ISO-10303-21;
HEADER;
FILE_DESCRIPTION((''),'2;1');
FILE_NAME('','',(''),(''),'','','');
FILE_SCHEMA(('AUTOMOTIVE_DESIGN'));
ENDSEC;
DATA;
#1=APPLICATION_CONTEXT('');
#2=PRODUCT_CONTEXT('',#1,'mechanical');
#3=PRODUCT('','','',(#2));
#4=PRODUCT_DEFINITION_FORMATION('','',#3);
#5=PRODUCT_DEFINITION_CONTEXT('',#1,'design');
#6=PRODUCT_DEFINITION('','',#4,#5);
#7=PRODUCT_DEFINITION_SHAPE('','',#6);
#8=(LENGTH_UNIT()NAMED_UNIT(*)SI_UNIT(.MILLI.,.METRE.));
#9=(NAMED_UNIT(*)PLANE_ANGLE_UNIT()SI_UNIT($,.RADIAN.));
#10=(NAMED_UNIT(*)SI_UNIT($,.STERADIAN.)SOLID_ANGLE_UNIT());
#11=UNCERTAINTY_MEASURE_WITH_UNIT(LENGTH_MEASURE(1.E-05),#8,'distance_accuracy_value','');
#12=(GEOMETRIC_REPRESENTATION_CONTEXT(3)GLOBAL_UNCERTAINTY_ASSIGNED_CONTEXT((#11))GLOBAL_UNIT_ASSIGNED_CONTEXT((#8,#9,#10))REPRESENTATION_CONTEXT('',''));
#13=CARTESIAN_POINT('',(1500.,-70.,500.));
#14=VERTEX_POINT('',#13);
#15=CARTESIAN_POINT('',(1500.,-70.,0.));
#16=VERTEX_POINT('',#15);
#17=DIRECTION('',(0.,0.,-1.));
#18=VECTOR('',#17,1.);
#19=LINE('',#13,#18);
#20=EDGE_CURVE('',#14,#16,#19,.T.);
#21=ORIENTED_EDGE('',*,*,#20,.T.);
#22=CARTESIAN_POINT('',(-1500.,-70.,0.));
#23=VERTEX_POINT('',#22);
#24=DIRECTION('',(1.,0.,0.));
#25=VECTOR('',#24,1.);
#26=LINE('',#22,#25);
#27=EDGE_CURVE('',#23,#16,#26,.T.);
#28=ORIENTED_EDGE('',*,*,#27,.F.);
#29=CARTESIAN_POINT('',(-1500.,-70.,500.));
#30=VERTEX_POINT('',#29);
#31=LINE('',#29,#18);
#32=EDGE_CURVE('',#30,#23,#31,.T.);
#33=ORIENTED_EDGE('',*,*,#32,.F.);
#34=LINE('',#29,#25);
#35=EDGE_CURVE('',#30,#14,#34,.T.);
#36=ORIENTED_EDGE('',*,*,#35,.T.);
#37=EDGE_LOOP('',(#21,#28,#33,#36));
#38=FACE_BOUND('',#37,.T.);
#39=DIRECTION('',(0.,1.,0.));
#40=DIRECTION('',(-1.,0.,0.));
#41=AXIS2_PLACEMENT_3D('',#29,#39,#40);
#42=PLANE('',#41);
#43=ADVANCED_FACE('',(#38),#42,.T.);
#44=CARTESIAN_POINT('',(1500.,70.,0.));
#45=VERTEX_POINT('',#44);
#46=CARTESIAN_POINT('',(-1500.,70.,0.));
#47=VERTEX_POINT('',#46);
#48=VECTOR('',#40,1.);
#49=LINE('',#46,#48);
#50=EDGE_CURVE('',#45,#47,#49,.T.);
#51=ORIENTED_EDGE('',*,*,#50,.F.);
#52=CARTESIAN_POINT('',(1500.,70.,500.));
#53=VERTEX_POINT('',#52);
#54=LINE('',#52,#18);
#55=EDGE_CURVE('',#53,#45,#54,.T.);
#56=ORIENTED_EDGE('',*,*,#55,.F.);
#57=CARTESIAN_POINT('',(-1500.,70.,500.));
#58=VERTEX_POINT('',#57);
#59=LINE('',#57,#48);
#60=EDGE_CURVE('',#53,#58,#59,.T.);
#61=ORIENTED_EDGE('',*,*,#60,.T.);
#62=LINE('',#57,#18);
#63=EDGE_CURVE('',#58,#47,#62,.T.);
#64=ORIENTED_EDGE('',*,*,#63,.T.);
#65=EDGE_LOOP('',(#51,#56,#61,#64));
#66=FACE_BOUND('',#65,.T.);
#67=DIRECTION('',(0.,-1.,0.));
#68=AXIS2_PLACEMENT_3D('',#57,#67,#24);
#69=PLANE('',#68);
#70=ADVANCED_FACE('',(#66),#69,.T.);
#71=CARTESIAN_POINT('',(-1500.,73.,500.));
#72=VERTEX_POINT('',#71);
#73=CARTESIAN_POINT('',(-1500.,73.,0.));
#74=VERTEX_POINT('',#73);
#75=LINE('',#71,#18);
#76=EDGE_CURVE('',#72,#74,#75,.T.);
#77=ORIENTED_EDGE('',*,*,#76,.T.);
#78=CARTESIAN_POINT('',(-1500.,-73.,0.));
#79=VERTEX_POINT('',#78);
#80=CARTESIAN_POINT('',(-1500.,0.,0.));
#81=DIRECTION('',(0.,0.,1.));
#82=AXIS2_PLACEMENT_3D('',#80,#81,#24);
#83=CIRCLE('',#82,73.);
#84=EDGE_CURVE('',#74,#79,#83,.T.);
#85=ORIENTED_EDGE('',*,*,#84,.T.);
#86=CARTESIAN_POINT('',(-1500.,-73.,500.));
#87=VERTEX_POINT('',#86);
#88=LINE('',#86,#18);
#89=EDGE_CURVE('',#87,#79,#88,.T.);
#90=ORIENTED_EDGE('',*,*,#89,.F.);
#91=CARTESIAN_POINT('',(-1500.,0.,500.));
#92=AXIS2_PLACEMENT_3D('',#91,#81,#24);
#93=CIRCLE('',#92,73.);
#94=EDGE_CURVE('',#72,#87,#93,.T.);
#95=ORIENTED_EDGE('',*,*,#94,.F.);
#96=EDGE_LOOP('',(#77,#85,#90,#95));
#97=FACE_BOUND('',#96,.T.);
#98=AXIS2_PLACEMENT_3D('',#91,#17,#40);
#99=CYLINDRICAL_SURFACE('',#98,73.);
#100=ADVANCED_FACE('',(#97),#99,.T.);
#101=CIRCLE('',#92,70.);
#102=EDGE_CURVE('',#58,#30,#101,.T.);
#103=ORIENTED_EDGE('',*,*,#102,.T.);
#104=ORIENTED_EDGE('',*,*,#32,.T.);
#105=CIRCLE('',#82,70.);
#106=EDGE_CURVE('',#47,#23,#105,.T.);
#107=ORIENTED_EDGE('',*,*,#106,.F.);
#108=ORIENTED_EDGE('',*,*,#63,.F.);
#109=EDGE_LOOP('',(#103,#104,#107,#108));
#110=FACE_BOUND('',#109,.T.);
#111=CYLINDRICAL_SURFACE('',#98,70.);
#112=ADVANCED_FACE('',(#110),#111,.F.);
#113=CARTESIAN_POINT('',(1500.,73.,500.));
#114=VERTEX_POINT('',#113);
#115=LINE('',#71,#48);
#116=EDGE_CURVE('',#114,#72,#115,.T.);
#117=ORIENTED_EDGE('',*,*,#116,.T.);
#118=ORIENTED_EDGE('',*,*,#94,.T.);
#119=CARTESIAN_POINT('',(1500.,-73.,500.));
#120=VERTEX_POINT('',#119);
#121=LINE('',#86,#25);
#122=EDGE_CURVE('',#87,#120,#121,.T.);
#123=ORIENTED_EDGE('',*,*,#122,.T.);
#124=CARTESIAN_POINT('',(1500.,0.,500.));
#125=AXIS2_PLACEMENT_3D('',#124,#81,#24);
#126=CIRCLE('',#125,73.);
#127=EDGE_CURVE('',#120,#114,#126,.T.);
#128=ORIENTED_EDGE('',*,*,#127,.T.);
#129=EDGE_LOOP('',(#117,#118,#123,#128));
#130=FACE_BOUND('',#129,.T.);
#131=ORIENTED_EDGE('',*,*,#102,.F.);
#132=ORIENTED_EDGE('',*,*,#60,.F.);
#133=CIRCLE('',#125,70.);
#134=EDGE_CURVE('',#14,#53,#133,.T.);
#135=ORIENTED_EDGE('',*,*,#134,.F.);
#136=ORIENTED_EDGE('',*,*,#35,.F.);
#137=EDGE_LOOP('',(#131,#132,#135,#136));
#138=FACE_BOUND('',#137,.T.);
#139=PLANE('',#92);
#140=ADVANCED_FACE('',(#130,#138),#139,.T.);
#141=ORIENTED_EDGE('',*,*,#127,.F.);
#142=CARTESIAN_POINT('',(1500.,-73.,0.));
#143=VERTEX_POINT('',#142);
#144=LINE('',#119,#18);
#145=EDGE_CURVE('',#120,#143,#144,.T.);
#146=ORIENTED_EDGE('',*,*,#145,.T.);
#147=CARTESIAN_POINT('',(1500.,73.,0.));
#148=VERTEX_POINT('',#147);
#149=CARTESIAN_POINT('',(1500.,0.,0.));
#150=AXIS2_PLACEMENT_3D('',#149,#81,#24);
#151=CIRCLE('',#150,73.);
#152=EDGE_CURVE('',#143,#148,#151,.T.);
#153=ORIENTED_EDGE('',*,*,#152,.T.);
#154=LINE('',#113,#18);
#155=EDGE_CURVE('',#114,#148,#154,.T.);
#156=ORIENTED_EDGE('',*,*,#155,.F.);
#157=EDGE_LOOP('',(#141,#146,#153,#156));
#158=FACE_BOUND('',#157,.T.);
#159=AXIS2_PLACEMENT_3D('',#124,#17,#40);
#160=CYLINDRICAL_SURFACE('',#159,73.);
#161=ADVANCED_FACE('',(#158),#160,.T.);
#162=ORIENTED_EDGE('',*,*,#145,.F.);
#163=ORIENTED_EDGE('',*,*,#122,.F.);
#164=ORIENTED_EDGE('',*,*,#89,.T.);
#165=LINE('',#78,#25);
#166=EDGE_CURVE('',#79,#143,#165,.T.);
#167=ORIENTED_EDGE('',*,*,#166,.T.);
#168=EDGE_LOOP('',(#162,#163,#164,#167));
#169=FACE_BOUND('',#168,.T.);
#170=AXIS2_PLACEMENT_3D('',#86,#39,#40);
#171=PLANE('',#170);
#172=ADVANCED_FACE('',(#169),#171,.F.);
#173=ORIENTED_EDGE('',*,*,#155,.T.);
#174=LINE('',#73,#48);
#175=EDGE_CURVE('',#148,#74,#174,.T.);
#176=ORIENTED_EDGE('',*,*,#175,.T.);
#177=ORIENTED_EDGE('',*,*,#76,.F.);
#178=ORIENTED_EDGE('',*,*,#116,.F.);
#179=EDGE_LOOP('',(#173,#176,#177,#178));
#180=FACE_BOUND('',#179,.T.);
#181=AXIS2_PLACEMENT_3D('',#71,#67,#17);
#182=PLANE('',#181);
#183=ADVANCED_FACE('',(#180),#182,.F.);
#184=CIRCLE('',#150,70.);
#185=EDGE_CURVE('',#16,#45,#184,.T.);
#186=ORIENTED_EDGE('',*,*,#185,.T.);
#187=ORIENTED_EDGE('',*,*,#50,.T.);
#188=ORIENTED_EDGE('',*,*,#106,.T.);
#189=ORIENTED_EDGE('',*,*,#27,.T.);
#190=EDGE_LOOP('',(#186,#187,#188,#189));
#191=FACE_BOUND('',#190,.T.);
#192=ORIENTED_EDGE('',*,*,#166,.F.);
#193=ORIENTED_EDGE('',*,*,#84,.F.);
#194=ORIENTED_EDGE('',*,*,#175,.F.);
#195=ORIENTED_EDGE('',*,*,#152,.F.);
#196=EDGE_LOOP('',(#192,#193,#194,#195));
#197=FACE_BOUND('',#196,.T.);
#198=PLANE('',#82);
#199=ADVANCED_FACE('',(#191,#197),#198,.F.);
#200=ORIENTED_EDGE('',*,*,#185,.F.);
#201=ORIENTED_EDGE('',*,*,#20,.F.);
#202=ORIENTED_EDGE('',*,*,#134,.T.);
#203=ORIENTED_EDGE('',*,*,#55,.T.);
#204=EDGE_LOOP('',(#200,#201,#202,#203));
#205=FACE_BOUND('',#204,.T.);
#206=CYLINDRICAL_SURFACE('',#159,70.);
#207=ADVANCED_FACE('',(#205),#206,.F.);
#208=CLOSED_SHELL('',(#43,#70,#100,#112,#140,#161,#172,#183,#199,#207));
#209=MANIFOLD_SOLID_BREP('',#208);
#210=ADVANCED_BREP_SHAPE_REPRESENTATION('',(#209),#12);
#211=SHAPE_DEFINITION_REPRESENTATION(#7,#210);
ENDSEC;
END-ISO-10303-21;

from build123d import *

# Parameters (mm, degrees)
Y_KSEKLIK_EKSTR_ZYON1_DEPTH = 500


with BuildPart() as part:
    # Çizim1 → Yükseklik-Ekstrüzyon1 (new body)
    with BuildSketch(Plane.XY):
        with BuildLine():
            Line((-1500, 73), (1500, 73))
            ThreePointArc((1500, 73), (1573, 0), (1500, -73))
            Line((1500, -73), (-1500, -73))
            ThreePointArc((-1500, -73), (-1573, 0), (-1500, 73))
        make_face()
        with BuildLine():
            Line((-1500, 70), (1500, 70))
            ThreePointArc((1500, 70), (1570, 0), (1500, -70))
            Line((1500, -70), (-1500, -70))
            ThreePointArc((-1500, -70), (-1570, 0), (-1500, 70))
        make_face(mode=Mode.SUBTRACT)
    extrude(amount=Y_KSEKLIK_EKSTR_ZYON1_DEPTH)


solid = part.part
